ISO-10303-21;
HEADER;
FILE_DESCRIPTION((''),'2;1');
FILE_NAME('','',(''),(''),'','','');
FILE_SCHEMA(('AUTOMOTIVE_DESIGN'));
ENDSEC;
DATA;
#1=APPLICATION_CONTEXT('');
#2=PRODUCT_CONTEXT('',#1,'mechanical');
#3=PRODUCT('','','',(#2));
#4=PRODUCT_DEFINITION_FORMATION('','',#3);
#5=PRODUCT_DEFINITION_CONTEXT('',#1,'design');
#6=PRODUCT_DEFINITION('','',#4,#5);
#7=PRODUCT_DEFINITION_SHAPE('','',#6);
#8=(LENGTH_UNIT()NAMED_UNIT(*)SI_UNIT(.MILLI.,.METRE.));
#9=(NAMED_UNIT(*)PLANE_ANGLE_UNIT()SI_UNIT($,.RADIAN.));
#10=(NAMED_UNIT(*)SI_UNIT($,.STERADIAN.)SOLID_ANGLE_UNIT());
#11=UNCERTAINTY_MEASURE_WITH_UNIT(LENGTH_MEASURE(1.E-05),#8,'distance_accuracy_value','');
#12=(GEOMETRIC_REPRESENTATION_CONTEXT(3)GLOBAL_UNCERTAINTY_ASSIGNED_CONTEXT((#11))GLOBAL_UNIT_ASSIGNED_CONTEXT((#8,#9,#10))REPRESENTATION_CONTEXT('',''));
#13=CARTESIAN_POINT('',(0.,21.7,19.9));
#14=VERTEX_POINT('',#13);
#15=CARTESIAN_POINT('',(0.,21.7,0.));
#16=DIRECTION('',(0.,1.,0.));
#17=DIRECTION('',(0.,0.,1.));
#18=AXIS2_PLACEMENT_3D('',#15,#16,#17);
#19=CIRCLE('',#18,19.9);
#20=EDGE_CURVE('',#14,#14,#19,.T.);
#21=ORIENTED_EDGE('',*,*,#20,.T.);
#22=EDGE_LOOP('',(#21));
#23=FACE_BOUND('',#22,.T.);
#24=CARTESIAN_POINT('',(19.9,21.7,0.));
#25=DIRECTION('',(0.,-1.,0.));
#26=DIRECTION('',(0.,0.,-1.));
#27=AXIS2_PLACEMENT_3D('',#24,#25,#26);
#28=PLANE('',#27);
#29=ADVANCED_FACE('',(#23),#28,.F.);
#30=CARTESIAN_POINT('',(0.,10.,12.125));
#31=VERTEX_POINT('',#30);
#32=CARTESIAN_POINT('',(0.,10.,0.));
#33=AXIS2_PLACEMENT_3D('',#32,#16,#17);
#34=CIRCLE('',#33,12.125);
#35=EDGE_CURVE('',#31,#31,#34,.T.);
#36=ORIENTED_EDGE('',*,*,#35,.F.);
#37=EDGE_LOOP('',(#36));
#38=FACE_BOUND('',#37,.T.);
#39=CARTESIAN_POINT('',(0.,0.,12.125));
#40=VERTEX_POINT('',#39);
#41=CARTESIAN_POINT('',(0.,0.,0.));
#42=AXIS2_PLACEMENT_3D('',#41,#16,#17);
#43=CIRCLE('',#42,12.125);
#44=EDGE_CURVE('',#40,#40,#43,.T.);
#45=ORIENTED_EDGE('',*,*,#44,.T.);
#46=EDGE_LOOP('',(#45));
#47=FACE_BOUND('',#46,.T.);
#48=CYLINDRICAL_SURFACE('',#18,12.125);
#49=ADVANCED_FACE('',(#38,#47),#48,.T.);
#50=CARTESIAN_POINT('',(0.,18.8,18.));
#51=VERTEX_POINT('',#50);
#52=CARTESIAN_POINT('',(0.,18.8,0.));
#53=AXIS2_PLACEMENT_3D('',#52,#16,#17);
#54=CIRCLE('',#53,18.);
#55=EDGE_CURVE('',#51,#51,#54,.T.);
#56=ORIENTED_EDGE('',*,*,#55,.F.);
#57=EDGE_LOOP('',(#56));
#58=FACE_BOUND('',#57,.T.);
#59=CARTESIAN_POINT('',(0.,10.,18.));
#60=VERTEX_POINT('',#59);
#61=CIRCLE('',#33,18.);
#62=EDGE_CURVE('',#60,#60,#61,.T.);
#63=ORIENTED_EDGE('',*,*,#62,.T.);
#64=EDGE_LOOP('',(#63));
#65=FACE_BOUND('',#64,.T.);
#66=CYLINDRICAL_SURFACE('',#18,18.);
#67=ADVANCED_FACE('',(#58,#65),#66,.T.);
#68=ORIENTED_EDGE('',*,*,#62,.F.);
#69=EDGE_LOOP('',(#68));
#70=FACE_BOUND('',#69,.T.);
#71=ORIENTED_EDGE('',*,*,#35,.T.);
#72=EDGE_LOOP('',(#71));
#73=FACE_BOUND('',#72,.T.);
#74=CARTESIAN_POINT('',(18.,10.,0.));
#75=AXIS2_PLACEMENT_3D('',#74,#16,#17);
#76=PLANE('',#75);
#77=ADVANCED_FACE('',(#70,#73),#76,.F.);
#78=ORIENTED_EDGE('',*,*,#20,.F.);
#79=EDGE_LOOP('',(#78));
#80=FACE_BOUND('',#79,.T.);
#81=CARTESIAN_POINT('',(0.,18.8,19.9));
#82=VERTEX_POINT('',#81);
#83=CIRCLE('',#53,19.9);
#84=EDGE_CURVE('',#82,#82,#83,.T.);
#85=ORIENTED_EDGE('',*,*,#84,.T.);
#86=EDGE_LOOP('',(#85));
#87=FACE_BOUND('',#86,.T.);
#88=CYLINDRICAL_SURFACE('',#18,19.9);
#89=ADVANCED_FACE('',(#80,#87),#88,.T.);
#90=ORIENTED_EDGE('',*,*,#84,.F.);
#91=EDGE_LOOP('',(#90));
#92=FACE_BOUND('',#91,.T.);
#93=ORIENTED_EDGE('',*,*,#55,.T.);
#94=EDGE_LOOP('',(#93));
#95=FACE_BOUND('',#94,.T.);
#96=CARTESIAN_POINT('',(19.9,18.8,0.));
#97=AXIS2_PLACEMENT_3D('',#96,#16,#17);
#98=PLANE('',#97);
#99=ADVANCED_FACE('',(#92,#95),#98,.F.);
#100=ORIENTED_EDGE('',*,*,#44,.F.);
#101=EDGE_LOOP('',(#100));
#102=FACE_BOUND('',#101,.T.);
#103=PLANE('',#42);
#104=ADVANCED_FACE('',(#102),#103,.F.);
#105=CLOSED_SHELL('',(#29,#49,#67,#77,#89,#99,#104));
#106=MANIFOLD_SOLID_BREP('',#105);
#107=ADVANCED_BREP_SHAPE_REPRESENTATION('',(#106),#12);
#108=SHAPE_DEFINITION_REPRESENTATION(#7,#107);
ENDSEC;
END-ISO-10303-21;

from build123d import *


with BuildPart() as part:
    # Sketch1 → Revolve1 (revolve)
    with BuildSketch(Plane.XY, mode=Mode.PRIVATE) as revolve1_sk:
        Polygon((0, 0), (12.125, 0), (12.125, 10), (18, 10), (18, 18.8), (19.9, 18.8), (19.9, 21.7), (0, 21.7), align=None)
    revolve(revolve1_sk.sketch.rotate(Axis((0, 21.7, 0), (0, -1, 0)), 90), axis=Axis((0, 21.7, 0), (0, -1, 0)))


solid = part.part
